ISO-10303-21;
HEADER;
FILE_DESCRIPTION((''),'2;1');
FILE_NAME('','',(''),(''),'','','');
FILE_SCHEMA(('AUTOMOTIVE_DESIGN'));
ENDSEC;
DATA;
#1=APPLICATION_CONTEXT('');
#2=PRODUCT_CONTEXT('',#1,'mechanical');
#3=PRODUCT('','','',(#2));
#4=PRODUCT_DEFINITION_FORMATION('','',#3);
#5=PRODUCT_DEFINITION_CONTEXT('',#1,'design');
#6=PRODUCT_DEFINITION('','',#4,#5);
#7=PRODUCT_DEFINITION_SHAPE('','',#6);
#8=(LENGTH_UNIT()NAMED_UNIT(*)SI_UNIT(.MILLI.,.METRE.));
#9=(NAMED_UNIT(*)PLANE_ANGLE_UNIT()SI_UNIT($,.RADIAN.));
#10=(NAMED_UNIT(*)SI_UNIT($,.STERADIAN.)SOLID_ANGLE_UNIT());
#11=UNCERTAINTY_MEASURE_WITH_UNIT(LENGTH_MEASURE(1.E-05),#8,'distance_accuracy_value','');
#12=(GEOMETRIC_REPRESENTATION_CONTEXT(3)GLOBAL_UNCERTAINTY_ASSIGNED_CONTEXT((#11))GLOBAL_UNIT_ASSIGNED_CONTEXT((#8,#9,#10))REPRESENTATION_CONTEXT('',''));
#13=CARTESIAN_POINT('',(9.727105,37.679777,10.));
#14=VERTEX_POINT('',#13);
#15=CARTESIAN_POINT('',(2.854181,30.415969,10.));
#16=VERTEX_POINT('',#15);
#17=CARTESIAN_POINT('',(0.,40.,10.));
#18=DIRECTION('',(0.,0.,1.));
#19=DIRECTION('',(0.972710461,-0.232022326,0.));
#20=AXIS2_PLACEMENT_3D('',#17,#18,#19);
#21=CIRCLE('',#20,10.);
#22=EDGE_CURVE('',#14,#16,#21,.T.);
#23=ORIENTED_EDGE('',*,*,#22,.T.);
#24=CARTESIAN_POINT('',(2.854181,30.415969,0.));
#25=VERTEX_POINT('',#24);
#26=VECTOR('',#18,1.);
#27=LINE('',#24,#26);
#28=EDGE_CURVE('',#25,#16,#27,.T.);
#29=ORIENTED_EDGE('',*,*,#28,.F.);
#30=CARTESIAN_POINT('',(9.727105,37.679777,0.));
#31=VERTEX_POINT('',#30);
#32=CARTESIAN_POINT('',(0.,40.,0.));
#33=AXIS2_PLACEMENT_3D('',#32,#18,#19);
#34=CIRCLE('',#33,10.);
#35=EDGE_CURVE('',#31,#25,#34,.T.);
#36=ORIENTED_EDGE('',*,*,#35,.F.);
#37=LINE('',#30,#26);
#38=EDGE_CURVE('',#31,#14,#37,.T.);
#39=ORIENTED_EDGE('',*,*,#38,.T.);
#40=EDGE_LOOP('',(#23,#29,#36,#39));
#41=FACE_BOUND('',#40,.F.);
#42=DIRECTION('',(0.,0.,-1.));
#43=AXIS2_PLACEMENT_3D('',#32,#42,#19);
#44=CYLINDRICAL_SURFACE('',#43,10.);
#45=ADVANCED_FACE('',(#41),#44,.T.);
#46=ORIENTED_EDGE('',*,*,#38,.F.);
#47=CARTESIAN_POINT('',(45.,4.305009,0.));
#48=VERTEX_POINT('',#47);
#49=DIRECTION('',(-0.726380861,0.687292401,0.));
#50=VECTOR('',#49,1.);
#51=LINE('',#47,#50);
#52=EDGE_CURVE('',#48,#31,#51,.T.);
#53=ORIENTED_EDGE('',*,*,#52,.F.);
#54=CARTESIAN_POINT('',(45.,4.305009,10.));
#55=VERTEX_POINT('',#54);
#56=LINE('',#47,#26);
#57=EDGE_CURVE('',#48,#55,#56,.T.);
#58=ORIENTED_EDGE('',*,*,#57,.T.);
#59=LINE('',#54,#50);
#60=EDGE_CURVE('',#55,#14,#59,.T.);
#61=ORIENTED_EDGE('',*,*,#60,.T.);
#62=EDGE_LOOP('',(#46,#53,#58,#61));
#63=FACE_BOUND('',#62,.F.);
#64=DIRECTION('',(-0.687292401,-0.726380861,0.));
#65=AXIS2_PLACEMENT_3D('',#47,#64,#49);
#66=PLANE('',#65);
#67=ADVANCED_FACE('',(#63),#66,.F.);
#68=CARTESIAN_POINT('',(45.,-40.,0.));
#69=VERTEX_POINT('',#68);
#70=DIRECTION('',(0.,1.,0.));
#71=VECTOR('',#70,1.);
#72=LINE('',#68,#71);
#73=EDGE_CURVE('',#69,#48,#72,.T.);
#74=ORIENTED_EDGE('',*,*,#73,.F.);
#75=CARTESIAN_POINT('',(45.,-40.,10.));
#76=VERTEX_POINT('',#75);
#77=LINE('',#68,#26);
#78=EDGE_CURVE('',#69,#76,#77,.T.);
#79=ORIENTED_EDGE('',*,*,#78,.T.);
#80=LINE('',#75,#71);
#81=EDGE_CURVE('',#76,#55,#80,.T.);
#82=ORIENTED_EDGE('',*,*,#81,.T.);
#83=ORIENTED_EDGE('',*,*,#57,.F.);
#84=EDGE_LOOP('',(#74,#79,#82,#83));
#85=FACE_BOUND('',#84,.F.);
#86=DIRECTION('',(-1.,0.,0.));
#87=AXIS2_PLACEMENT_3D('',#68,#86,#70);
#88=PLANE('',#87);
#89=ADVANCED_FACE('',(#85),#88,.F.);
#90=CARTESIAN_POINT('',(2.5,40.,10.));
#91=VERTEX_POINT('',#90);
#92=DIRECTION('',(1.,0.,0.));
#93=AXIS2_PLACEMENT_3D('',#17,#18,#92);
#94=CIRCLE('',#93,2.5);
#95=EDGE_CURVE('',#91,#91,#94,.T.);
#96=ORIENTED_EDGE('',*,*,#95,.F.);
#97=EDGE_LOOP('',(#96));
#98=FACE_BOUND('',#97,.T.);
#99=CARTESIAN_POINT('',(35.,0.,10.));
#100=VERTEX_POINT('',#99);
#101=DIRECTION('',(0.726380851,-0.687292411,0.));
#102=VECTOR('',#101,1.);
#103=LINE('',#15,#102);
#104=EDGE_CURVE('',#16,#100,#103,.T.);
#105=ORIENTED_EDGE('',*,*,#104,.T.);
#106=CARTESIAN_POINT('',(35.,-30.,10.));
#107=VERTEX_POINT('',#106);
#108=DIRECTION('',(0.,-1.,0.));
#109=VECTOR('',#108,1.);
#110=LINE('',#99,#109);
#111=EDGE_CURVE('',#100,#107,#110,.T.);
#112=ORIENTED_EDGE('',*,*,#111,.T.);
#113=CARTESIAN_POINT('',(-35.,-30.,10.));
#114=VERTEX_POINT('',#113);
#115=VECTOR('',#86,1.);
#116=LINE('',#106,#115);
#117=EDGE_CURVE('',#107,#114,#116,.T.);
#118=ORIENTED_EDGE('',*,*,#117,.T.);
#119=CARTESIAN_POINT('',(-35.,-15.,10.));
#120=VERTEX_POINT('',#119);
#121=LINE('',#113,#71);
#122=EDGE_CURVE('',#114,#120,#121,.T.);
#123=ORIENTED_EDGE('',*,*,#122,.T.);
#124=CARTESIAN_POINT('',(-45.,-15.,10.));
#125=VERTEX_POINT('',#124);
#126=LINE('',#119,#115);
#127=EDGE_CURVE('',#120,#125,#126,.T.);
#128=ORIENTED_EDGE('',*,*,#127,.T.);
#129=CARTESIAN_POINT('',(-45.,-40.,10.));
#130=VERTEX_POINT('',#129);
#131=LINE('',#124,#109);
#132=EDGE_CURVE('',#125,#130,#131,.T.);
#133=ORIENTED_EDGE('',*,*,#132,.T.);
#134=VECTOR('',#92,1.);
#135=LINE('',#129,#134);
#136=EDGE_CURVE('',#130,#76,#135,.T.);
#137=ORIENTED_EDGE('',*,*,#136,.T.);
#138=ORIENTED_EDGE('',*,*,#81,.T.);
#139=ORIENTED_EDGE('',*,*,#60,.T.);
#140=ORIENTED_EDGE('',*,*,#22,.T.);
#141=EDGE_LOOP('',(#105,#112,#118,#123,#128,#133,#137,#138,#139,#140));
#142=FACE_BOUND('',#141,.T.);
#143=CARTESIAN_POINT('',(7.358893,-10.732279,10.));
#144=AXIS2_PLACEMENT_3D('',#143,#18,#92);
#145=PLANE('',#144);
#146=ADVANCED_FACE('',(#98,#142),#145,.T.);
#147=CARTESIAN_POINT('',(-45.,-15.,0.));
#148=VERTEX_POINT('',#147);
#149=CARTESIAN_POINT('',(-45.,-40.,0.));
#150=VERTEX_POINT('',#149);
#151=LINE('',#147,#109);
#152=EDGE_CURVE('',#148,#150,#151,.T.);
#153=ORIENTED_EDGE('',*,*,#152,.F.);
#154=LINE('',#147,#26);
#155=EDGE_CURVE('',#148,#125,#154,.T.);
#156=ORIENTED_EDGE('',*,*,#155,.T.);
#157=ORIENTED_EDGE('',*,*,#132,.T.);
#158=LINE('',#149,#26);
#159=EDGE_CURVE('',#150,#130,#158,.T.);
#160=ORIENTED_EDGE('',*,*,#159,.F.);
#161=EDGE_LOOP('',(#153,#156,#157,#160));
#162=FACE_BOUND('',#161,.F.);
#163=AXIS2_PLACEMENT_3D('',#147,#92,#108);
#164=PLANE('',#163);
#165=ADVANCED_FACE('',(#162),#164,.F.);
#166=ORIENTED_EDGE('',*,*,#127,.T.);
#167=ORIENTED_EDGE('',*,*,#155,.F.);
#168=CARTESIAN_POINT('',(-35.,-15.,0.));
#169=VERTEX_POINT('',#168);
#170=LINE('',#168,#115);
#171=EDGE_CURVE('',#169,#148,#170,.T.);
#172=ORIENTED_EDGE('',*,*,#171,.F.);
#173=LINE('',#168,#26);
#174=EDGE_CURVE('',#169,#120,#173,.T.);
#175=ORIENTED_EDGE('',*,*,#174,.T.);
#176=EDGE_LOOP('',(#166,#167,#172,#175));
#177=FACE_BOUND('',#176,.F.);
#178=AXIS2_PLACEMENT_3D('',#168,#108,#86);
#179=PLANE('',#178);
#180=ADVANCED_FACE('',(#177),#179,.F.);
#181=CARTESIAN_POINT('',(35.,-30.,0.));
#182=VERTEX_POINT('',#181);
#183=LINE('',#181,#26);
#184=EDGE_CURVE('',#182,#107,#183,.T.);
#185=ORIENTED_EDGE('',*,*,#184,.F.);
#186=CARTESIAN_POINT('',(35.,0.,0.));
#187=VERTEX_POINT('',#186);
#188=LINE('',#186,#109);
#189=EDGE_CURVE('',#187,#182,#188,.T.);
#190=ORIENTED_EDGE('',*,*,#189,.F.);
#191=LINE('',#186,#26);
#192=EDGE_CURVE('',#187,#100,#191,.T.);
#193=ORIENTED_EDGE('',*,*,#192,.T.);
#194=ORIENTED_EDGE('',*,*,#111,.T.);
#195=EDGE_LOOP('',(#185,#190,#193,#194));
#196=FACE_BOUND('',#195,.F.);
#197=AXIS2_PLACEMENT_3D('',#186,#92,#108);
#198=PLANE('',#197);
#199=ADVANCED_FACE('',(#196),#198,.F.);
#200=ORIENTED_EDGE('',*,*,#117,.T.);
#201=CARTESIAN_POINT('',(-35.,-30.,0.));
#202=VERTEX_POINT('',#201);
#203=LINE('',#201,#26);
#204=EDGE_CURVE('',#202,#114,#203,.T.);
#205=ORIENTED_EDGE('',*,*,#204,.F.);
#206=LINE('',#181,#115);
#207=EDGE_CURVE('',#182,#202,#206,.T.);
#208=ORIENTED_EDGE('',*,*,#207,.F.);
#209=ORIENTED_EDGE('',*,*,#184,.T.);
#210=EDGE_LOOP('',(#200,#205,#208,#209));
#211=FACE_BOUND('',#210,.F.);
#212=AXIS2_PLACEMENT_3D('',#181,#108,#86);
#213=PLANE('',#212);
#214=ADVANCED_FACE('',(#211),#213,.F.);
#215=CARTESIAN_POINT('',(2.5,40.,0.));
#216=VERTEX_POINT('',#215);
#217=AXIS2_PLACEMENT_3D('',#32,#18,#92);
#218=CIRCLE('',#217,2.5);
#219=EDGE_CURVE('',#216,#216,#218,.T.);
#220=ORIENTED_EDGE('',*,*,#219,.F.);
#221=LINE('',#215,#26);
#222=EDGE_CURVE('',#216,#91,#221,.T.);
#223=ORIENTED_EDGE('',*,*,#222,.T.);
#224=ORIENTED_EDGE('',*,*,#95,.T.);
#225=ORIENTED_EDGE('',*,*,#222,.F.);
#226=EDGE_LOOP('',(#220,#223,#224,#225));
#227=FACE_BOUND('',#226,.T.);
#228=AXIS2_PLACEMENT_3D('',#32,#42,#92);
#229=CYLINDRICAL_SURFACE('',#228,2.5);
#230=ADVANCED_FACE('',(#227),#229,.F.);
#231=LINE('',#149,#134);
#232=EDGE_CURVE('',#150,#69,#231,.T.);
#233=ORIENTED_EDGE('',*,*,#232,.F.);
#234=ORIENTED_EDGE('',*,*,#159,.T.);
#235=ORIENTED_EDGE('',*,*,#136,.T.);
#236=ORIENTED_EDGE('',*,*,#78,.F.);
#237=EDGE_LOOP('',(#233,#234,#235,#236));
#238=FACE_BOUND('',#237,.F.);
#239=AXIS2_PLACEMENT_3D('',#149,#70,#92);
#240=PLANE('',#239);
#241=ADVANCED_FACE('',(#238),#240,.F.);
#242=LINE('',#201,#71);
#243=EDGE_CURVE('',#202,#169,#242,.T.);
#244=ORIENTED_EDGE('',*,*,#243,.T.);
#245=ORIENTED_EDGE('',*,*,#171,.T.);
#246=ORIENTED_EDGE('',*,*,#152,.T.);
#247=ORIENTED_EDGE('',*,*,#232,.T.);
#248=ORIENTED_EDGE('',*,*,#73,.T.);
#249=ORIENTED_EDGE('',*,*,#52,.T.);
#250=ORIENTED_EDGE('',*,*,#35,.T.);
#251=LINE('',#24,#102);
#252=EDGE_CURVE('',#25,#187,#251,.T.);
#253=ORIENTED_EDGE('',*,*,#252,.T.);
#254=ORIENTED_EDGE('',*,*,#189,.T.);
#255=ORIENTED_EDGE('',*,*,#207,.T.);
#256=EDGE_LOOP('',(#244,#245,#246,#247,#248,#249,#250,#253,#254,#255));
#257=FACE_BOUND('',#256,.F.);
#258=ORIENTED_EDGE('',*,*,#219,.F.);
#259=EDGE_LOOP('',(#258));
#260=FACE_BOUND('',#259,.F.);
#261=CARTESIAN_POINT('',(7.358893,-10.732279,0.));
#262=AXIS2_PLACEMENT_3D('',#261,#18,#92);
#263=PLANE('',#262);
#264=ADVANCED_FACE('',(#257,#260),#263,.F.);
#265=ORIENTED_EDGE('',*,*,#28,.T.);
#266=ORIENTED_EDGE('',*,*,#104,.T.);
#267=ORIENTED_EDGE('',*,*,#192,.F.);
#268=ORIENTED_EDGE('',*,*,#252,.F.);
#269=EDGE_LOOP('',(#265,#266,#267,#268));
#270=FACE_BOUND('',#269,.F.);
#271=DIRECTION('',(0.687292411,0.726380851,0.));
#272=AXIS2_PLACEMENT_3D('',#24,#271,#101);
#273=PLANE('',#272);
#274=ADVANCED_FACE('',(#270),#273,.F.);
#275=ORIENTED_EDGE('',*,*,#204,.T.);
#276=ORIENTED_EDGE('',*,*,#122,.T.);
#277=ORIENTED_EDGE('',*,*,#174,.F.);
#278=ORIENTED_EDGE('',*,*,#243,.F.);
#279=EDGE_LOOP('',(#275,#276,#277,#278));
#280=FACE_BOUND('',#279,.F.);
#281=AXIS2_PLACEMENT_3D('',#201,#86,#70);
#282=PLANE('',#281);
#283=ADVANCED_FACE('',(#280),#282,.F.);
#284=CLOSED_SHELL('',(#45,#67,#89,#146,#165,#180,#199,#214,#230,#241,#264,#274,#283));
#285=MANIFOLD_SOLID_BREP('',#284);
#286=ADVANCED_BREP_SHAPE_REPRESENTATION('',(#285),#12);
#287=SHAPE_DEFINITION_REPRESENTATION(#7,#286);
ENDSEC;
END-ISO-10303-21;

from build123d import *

# Parameters (mm, degrees)
F0_R     = 2.5
F1_DEPTH = 10


with BuildPart() as f1:
    # F0 (on Top) → F1 (new body)
    with BuildSketch(Plane.XY):
        with BuildLine():
            Line((-45, -40), (0, -40))
            Line((0, -40), (45, -40))
            Line((45, -40), (45, 0))
            Line((45, 0), (45, 4.305009))
            Line((45, 4.305009), (9.727105, 37.679777))
            ThreePointArc((9.727105, 37.679777), (-7.263809, 46.872924), (2.854181, 30.415969))
            Line((2.854181, 30.415969), (35, 0))
            Line((35, 0), (35, -30))
            Line((35, -30), (-35, -30))
            Line((-35, -30), (-35, -15))
            Line((-35, -15), (-45, -15))
            Line((-45, -15), (-45, -40))
        make_face()
        with Locations((0, 40)):
            Circle(F0_R, mode=Mode.SUBTRACT)
    extrude(amount=F1_DEPTH)


solid = f1.part
